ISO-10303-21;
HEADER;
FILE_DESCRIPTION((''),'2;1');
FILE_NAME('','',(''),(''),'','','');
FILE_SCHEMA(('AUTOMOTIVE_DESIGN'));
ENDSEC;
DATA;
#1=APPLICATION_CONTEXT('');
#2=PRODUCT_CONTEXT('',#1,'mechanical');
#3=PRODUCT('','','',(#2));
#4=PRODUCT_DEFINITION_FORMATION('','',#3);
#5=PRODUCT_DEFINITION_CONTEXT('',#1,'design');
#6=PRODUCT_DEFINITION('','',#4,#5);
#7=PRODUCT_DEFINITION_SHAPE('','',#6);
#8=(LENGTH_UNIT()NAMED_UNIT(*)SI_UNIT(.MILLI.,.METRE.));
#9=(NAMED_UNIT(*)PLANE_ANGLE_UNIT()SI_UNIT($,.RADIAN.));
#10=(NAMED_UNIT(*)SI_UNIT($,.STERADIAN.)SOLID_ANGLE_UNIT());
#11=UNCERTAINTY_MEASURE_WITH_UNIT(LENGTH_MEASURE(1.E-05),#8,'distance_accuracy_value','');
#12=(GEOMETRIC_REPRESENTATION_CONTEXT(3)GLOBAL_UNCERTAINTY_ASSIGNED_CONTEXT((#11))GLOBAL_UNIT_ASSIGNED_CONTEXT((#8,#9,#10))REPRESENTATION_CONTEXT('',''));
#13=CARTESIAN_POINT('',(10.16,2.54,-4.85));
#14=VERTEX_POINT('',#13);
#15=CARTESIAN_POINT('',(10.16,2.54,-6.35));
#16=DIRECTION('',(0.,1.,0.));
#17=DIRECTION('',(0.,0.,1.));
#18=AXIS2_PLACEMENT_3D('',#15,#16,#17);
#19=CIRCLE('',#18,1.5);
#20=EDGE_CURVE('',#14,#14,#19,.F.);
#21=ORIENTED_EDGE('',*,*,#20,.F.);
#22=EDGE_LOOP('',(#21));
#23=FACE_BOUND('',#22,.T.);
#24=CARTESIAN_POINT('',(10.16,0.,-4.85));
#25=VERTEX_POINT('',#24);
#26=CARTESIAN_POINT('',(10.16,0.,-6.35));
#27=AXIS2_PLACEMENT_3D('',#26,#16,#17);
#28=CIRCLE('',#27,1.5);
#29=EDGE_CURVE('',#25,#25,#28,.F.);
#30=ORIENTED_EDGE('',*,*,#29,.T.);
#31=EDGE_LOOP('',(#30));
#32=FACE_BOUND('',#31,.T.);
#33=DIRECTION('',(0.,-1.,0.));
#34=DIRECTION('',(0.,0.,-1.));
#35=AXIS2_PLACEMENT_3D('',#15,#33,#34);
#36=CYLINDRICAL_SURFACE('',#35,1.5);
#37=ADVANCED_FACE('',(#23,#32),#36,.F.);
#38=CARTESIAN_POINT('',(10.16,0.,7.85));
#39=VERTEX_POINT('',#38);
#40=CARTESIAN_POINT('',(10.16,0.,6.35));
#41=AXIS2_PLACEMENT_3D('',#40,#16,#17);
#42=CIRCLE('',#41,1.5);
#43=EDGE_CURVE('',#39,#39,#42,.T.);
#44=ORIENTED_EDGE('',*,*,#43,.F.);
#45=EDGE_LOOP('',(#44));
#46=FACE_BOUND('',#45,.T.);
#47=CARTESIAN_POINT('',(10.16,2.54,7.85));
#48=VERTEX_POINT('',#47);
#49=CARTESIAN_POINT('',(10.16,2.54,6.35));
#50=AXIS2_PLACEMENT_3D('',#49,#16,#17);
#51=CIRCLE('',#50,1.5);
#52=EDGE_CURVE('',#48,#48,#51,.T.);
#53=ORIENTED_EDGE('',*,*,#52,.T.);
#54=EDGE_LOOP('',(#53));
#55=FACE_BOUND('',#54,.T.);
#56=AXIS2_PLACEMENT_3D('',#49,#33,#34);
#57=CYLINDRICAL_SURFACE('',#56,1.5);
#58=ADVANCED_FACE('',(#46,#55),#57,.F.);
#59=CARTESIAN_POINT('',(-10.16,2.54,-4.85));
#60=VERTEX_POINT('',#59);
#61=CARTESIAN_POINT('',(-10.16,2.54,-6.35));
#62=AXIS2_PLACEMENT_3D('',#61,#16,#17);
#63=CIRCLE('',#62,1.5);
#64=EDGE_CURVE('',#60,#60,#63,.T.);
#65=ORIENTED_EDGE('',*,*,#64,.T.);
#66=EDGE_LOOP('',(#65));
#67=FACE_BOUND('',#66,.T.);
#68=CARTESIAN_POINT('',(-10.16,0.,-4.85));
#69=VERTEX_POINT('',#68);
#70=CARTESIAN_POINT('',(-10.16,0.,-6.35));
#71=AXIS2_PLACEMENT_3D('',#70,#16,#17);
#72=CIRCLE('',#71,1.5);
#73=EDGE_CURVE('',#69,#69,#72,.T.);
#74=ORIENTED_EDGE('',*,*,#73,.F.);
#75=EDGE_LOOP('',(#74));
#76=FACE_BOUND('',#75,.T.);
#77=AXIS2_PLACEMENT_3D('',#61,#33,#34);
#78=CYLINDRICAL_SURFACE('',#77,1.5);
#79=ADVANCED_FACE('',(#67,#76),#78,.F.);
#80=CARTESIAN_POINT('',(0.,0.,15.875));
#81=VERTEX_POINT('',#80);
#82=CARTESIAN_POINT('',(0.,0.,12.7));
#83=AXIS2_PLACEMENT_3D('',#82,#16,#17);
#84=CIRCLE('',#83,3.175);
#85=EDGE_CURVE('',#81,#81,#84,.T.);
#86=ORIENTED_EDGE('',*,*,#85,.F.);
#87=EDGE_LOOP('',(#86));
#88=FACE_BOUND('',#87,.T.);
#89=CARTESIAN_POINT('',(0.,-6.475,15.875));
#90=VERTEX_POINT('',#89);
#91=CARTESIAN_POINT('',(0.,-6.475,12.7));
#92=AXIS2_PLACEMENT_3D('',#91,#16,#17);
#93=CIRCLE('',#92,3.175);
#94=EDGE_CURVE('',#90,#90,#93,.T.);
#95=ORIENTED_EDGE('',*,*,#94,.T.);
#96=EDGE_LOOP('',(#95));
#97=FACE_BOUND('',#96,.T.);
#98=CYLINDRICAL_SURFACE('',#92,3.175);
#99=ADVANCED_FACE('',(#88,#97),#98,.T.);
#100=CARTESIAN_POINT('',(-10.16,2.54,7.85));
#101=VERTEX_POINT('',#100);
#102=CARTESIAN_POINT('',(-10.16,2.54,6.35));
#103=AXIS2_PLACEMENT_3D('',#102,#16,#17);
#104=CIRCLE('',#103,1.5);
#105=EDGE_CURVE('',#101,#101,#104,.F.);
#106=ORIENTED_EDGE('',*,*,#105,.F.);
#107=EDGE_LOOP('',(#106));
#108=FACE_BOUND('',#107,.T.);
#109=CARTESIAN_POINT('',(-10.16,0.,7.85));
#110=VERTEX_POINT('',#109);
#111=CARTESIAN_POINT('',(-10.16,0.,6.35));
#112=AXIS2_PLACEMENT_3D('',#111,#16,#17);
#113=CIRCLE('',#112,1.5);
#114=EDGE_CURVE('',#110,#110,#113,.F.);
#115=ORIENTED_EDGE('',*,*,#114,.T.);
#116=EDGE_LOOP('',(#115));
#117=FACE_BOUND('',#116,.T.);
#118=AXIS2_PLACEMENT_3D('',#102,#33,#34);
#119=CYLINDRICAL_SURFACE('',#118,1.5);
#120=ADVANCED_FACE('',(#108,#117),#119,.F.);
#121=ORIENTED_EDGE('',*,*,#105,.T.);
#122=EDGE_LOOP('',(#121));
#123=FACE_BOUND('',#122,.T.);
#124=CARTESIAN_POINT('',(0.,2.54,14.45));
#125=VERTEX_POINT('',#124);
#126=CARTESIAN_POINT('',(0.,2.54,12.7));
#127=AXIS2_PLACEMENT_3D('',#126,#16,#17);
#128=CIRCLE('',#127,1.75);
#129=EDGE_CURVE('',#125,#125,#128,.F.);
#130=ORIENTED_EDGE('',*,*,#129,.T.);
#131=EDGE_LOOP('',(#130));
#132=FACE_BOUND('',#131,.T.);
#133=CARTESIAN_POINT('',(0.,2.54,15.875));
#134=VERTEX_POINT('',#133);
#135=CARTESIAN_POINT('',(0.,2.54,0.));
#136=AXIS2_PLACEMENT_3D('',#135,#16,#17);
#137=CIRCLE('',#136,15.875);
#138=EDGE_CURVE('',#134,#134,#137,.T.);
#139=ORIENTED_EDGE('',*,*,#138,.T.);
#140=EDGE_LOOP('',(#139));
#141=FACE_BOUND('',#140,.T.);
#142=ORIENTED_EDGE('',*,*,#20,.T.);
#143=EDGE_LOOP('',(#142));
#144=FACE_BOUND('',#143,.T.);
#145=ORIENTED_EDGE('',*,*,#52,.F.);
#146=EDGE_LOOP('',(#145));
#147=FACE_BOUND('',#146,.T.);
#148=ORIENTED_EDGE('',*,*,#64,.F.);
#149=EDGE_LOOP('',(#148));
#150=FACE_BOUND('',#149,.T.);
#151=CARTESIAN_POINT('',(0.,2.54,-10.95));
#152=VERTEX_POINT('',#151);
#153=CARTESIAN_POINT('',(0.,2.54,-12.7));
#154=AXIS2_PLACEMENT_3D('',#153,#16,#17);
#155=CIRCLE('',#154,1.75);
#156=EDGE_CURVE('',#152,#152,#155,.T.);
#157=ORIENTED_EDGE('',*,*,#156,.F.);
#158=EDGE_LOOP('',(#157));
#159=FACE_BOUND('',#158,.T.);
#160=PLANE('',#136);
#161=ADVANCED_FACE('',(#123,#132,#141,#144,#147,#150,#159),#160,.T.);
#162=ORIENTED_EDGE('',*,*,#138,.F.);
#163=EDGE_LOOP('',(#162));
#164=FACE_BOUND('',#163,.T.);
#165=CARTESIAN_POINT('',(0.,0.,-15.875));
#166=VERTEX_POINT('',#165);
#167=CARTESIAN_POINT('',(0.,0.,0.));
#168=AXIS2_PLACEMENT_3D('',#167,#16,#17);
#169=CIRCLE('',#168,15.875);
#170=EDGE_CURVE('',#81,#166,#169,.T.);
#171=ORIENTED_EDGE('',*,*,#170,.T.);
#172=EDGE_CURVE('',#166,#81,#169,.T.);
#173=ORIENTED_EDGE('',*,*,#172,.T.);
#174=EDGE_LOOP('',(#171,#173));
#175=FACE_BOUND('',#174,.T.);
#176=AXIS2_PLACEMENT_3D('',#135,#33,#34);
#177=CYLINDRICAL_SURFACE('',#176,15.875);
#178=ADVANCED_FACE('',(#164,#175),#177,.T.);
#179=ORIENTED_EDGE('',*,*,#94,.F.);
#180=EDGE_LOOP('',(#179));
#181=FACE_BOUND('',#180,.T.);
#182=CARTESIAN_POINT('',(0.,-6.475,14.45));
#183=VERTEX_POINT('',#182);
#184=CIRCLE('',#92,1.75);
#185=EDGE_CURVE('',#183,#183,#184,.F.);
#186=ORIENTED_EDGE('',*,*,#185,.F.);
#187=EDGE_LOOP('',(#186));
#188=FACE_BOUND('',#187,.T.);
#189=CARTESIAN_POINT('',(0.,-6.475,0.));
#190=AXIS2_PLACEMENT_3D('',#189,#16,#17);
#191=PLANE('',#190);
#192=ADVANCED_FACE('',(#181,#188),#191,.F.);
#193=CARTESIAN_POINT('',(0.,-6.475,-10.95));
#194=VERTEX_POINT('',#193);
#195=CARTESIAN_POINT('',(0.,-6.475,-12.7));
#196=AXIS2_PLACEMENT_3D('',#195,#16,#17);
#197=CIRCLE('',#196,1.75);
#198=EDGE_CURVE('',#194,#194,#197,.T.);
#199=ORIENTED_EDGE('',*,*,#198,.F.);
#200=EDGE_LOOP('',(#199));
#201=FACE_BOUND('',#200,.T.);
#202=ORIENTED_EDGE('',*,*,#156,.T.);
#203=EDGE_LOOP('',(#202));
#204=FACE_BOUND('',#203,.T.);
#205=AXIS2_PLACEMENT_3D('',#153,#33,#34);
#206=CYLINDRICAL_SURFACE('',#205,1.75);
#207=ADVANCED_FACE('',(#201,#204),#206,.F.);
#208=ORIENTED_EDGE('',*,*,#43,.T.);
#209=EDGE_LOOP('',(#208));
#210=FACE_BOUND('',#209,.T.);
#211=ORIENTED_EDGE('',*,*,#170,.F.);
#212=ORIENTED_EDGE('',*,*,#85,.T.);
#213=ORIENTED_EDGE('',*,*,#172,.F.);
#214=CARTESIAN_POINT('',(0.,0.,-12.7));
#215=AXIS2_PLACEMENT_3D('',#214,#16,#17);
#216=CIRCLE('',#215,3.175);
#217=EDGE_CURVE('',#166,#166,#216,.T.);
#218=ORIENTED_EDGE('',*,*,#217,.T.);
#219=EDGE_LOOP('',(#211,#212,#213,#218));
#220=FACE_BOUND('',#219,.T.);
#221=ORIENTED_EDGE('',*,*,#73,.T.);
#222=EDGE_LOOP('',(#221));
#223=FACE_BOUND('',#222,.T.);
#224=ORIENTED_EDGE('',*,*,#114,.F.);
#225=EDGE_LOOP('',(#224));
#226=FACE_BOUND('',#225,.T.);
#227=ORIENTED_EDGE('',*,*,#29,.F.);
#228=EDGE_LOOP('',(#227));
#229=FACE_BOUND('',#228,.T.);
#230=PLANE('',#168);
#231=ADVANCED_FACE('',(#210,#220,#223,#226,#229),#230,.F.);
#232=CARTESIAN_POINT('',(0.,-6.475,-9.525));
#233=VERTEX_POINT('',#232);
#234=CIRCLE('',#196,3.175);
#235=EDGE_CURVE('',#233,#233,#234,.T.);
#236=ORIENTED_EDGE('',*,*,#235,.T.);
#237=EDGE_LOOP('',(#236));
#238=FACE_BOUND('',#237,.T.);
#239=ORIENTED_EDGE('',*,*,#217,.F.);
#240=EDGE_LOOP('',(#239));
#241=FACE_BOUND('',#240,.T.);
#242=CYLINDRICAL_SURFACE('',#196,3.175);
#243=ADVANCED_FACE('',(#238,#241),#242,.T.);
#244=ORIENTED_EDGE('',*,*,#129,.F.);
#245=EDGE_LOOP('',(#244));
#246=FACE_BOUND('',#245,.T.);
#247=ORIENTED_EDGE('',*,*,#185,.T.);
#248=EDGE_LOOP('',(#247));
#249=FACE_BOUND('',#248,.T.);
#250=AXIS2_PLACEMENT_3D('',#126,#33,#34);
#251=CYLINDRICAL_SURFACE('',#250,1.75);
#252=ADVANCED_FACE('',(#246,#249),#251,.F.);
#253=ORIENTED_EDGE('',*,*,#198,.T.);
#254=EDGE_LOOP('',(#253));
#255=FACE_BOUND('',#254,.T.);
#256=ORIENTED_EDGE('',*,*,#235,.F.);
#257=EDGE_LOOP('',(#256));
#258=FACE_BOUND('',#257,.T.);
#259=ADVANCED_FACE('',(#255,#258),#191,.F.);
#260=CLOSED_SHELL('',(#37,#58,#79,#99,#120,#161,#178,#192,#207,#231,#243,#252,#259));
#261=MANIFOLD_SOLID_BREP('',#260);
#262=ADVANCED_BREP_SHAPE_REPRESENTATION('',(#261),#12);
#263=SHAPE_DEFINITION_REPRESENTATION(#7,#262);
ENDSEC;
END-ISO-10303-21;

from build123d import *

# Parameters (mm, degrees)
SKETCH1_R           = 15.875
SKETCH1_R_2         = 1.5
SKETCH1_R_3         = 1.75
BOSS_EXTRUDE1_DEPTH = 2.54
BOSS_EXTRUDE2_START = -6.474999999
SKETCH1_3_R         = 3.175
SKETCH1_3_R_2       = 1.75
BOSS_EXTRUDE2_DEPTH = 6.474999999


with BuildPart() as part:
    # Sketch1 → Boss-Extrude1 (new body)
    with BuildSketch(Plane(origin=(0, 0, 0), x_dir=(1, 0, 0), z_dir=(0, 1, 0))):
        Circle(SKETCH1_R)
        with Locations((-10.16, -6.35)):
            Circle(SKETCH1_R_2, mode=Mode.SUBTRACT)
        with Locations((10.16, -6.35)):
            Circle(SKETCH1_R_2, mode=Mode.SUBTRACT)
        with Locations((-10.16, 6.35)):
            Circle(SKETCH1_R_2, mode=Mode.SUBTRACT)
        with Locations((10.16, 6.35)):
            Circle(SKETCH1_R_2, mode=Mode.SUBTRACT)
        with Locations((0, -12.7)):
            Circle(SKETCH1_R_3, mode=Mode.SUBTRACT)
        with Locations((0, 12.7)):
            Circle(SKETCH1_R_3, mode=Mode.SUBTRACT)
    extrude(amount=BOSS_EXTRUDE1_DEPTH)

    # Sketch1<3> → Boss-Extrude2 (add)
    # profile 1 of 2: a face of its own
    with BuildSketch(Plane(origin=(0, 0, 0), x_dir=(1, 0, 0), z_dir=(0, 1, 0)).offset(BOSS_EXTRUDE2_START)):
        with Locations((0, 12.7)):
            Circle(SKETCH1_3_R)
        with Locations((0, 12.7)):
            Circle(SKETCH1_3_R_2, mode=Mode.SUBTRACT)
    # profile 2 of 2: a face of its own
    with BuildSketch(Plane(origin=(0, 0, 0), x_dir=(1, 0, 0), z_dir=(0, 1, 0)).offset(BOSS_EXTRUDE2_START)):
        with Locations((0, -12.7)):
            Circle(SKETCH1_3_R)
        with Locations((0, -12.7)):
            Circle(SKETCH1_3_R_2, mode=Mode.SUBTRACT)
    extrude(amount=BOSS_EXTRUDE2_DEPTH)


solid = part.part
